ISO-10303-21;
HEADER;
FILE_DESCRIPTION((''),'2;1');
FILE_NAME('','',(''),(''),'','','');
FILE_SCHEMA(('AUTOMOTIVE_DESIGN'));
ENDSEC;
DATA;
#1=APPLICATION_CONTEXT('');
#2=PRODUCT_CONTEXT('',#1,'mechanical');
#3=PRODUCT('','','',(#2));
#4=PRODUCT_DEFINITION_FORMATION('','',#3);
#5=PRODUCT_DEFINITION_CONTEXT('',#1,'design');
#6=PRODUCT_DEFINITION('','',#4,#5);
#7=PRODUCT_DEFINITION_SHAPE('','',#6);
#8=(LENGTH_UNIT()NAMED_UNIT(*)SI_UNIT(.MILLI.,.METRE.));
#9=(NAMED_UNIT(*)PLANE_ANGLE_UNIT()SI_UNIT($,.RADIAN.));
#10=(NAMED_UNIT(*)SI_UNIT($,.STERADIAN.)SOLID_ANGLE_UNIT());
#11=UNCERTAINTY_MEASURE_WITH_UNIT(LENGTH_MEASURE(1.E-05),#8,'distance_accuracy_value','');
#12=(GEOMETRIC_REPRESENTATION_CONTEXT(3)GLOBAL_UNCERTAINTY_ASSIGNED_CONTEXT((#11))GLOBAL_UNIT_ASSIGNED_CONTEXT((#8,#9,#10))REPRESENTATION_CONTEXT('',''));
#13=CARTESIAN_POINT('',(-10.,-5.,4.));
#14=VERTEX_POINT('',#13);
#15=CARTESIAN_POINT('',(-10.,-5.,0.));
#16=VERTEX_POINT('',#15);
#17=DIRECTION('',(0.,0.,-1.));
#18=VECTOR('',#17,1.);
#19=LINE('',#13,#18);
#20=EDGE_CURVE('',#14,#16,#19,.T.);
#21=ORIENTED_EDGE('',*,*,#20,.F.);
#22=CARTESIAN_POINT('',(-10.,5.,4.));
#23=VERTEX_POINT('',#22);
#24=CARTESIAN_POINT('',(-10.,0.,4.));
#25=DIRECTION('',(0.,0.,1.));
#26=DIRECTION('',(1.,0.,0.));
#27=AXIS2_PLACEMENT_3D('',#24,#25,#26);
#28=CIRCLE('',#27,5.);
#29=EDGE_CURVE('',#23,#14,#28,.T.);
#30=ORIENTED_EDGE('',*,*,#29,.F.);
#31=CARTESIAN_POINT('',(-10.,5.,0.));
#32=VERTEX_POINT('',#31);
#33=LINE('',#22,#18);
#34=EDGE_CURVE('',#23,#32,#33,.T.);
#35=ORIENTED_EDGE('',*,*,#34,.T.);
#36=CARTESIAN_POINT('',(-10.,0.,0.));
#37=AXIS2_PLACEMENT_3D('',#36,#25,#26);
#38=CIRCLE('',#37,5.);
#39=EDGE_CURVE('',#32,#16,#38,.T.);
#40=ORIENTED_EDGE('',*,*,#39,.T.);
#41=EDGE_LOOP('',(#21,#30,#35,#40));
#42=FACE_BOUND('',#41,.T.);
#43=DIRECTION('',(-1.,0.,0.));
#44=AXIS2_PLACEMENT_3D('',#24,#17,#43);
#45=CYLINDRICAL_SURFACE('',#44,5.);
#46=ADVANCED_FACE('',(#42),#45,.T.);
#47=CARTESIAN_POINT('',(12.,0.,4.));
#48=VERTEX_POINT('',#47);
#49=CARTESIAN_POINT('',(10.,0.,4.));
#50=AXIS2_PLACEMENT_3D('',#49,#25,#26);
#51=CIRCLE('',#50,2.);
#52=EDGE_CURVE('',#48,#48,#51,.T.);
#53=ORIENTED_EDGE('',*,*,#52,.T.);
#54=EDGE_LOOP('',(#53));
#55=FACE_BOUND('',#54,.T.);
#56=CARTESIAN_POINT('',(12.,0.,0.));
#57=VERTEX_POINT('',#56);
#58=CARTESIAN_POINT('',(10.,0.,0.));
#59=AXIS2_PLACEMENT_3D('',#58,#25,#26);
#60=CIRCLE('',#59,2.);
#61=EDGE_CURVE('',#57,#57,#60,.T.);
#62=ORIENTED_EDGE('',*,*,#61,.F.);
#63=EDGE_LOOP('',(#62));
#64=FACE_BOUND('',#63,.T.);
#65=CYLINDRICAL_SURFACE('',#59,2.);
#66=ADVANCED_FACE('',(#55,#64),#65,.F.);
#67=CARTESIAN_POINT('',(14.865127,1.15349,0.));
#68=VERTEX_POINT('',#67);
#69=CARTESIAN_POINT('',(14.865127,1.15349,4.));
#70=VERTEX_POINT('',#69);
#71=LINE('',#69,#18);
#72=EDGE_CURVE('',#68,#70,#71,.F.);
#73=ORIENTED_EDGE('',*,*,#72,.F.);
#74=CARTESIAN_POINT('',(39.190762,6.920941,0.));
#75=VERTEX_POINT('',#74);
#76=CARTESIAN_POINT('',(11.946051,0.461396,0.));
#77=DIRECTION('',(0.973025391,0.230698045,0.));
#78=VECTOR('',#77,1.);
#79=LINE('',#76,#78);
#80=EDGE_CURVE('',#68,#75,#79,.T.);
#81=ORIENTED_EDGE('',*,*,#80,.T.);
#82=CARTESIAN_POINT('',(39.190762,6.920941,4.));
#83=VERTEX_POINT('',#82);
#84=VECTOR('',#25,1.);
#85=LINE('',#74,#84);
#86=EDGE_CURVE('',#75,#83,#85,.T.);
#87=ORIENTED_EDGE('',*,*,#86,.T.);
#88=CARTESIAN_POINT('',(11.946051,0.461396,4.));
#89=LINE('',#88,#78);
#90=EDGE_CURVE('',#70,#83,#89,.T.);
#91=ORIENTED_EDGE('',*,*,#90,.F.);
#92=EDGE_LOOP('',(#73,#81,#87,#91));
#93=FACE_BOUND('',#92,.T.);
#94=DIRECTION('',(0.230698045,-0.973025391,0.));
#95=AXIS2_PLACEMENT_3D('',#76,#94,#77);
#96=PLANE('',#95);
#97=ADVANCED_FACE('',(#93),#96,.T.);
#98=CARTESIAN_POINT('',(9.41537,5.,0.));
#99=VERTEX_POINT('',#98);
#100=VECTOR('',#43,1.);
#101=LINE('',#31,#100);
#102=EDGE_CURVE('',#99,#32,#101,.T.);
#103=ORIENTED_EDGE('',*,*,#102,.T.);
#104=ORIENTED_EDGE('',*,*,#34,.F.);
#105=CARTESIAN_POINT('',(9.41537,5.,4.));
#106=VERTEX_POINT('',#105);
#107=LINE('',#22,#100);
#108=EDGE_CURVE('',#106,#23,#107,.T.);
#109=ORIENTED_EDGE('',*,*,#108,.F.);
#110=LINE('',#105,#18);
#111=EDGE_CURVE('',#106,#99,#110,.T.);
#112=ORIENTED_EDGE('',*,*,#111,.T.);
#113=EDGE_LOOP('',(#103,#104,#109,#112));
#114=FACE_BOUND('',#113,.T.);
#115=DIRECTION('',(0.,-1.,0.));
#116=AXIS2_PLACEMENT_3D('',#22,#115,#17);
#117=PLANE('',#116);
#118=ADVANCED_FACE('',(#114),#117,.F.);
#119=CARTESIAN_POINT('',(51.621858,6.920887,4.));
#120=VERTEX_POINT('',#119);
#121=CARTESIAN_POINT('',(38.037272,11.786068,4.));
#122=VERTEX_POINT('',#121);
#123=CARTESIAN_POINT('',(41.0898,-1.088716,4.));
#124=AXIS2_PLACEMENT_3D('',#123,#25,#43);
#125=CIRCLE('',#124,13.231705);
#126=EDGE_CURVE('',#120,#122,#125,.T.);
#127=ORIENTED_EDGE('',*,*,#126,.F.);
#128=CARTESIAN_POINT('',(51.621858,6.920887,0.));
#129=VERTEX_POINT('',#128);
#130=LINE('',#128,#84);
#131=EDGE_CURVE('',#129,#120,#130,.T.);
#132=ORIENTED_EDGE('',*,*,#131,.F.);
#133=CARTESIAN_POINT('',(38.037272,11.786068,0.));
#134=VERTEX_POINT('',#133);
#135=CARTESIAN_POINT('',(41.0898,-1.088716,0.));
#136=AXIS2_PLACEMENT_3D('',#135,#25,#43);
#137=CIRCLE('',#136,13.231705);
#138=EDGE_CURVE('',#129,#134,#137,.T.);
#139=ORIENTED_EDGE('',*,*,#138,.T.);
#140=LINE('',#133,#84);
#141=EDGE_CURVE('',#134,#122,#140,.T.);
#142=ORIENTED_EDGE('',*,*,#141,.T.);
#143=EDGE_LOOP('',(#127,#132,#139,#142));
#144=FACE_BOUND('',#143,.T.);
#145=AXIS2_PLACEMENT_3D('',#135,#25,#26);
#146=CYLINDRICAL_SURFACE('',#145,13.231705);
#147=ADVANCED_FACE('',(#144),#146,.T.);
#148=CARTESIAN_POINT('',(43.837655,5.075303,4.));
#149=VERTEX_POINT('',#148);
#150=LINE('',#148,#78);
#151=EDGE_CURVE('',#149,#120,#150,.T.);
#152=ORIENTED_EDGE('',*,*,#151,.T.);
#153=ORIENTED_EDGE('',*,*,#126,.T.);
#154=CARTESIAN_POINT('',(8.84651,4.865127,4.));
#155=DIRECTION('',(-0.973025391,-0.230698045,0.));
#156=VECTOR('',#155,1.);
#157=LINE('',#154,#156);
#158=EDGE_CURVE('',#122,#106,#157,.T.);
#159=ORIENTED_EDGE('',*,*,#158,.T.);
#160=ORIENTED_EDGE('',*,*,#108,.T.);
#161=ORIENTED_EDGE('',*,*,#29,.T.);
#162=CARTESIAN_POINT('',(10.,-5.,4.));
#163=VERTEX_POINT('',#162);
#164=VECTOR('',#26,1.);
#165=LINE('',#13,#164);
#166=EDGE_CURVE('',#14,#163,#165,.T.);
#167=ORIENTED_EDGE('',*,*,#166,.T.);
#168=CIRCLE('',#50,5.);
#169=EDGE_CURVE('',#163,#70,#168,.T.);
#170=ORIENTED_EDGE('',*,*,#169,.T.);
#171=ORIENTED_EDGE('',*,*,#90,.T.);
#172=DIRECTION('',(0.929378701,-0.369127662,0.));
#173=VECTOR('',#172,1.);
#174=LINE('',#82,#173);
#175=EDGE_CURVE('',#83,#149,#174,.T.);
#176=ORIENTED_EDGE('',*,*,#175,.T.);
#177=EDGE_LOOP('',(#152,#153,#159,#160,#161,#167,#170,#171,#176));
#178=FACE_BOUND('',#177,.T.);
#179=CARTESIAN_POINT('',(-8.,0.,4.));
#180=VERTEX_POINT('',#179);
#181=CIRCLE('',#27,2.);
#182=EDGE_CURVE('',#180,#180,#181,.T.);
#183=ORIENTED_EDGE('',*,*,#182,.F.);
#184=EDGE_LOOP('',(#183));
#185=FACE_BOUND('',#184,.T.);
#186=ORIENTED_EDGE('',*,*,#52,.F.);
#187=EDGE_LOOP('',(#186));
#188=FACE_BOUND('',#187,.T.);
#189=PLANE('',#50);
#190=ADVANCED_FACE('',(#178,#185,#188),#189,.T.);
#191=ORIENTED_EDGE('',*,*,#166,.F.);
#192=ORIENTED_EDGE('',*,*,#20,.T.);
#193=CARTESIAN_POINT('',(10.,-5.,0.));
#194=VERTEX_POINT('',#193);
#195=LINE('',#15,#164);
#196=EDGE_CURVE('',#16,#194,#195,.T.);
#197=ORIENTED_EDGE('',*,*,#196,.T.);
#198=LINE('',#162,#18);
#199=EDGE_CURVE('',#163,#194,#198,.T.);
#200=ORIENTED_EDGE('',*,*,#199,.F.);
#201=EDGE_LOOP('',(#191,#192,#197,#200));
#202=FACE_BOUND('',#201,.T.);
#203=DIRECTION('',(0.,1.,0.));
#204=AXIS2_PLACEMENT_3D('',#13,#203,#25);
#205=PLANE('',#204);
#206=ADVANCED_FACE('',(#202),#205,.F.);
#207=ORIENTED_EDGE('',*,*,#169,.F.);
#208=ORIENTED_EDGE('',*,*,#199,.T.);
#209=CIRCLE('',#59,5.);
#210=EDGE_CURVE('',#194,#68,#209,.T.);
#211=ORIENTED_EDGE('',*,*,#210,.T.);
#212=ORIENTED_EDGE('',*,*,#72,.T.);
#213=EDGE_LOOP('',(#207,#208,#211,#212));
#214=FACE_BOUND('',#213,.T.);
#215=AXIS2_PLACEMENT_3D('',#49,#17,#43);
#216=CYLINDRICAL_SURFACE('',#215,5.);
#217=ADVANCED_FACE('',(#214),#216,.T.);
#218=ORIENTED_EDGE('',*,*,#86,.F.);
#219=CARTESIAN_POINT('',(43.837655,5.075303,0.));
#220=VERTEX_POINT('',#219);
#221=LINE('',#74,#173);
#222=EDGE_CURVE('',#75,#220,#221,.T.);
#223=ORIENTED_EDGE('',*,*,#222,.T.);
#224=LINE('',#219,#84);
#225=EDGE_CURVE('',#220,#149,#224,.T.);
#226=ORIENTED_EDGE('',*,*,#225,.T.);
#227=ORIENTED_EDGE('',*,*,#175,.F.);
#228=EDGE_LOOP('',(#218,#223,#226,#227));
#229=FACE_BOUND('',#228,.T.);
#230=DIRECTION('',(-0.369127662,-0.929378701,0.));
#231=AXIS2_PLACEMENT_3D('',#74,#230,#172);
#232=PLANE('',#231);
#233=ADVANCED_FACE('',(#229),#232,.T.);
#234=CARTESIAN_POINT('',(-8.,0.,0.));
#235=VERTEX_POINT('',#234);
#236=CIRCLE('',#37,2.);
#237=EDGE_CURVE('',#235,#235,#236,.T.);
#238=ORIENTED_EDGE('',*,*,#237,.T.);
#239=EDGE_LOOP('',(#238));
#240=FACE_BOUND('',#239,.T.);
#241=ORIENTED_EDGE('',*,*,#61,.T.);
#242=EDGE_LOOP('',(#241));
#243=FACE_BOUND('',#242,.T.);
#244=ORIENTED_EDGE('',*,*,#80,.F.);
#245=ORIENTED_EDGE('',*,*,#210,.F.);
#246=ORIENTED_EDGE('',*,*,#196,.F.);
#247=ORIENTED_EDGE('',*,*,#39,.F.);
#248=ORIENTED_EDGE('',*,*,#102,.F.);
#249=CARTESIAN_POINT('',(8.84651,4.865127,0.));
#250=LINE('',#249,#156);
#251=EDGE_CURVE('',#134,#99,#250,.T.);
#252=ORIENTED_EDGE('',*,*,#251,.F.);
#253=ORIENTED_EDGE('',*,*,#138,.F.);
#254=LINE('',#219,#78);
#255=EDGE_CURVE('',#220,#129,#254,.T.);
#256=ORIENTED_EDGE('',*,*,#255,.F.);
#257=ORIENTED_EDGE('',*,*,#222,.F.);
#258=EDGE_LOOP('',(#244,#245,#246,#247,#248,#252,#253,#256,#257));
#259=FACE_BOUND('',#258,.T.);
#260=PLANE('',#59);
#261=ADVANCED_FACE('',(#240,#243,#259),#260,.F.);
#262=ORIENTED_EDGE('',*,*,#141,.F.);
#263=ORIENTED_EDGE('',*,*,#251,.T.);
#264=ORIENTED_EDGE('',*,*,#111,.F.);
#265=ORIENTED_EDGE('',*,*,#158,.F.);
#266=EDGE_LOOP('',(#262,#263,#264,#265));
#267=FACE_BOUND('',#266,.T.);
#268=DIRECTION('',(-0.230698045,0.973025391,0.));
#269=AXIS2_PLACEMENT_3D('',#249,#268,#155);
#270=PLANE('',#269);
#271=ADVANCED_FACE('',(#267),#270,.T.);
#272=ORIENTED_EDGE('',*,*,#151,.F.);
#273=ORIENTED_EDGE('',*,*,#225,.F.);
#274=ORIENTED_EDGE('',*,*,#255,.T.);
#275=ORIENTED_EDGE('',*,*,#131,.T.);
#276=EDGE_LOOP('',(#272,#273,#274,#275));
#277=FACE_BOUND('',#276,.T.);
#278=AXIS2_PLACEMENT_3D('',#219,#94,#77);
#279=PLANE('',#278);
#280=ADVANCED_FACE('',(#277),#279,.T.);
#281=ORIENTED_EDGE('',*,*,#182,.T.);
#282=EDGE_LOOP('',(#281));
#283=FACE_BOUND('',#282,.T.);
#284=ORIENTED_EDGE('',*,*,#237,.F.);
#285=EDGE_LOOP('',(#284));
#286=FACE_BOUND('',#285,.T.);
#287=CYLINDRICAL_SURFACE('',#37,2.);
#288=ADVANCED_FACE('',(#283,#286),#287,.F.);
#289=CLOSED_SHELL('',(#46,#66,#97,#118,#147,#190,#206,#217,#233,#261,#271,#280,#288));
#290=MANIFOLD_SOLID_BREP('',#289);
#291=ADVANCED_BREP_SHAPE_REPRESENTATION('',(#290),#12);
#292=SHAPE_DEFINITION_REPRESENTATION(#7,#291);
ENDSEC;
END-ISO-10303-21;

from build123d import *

# Parameters (mm, degrees)
EXTRUDE_1_DEPTH     = 4
SKETCH_2_R          = 2
CUT_EXTRUDE_1_DEPTH = 4
EXTRUDE_3_DEPTH     = 4


with BuildPart() as part:
    # 草图1 → 凸台-拉伸1 (new body)
    with BuildSketch(Plane.XY):
        with BuildLine():
            Line((-10, 5), (10, 5))
            ThreePointArc((10, 5), (15, 0), (10, -5))
            Line((10, -5), (-10, -5))
            ThreePointArc((-10, -5), (-15, 0), (-10, 5))
        make_face()
    extrude(amount=EXTRUDE_1_DEPTH)

    # 草图2 → 切除-拉伸1 (cut)
    with BuildSketch(Plane.XY.offset(4)):
        with Locations((-10, 0)):
            Circle(SKETCH_2_R)
        with Locations((10, 0)):
            Circle(SKETCH_2_R)
    extrude(amount=-CUT_EXTRUDE_1_DEPTH, mode=Mode.SUBTRACT)

    # 草图3 → 凸台-拉伸3 (add)
    with BuildSketch(Plane.XY.offset(4)):
        with BuildLine():
            Line((11.946050783, 0.461396089), (39.19076174, 6.920941341))
            Line((39.19076174, 6.920941341), (43.837655244, 5.075303033))
            Line((43.837655244, 5.075303033), (51.621858375, 6.920887391))
            ThreePointArc((51.621858375, 6.920887391), (45.551115726, 11.368196193), (38.037271516, 11.786068297))
            Line((38.037271516, 11.786068297), (8.846509777, 4.865126957))
            Line((8.846509777, 4.865126957), (9.538603911, 1.946050783))
            ThreePointArc((9.538603911, 1.946050783), (11.049809401, 1.702322009), (11.946050783, 0.461396089))
        make_face()
    extrude(amount=-EXTRUDE_3_DEPTH)


solid = part.part
